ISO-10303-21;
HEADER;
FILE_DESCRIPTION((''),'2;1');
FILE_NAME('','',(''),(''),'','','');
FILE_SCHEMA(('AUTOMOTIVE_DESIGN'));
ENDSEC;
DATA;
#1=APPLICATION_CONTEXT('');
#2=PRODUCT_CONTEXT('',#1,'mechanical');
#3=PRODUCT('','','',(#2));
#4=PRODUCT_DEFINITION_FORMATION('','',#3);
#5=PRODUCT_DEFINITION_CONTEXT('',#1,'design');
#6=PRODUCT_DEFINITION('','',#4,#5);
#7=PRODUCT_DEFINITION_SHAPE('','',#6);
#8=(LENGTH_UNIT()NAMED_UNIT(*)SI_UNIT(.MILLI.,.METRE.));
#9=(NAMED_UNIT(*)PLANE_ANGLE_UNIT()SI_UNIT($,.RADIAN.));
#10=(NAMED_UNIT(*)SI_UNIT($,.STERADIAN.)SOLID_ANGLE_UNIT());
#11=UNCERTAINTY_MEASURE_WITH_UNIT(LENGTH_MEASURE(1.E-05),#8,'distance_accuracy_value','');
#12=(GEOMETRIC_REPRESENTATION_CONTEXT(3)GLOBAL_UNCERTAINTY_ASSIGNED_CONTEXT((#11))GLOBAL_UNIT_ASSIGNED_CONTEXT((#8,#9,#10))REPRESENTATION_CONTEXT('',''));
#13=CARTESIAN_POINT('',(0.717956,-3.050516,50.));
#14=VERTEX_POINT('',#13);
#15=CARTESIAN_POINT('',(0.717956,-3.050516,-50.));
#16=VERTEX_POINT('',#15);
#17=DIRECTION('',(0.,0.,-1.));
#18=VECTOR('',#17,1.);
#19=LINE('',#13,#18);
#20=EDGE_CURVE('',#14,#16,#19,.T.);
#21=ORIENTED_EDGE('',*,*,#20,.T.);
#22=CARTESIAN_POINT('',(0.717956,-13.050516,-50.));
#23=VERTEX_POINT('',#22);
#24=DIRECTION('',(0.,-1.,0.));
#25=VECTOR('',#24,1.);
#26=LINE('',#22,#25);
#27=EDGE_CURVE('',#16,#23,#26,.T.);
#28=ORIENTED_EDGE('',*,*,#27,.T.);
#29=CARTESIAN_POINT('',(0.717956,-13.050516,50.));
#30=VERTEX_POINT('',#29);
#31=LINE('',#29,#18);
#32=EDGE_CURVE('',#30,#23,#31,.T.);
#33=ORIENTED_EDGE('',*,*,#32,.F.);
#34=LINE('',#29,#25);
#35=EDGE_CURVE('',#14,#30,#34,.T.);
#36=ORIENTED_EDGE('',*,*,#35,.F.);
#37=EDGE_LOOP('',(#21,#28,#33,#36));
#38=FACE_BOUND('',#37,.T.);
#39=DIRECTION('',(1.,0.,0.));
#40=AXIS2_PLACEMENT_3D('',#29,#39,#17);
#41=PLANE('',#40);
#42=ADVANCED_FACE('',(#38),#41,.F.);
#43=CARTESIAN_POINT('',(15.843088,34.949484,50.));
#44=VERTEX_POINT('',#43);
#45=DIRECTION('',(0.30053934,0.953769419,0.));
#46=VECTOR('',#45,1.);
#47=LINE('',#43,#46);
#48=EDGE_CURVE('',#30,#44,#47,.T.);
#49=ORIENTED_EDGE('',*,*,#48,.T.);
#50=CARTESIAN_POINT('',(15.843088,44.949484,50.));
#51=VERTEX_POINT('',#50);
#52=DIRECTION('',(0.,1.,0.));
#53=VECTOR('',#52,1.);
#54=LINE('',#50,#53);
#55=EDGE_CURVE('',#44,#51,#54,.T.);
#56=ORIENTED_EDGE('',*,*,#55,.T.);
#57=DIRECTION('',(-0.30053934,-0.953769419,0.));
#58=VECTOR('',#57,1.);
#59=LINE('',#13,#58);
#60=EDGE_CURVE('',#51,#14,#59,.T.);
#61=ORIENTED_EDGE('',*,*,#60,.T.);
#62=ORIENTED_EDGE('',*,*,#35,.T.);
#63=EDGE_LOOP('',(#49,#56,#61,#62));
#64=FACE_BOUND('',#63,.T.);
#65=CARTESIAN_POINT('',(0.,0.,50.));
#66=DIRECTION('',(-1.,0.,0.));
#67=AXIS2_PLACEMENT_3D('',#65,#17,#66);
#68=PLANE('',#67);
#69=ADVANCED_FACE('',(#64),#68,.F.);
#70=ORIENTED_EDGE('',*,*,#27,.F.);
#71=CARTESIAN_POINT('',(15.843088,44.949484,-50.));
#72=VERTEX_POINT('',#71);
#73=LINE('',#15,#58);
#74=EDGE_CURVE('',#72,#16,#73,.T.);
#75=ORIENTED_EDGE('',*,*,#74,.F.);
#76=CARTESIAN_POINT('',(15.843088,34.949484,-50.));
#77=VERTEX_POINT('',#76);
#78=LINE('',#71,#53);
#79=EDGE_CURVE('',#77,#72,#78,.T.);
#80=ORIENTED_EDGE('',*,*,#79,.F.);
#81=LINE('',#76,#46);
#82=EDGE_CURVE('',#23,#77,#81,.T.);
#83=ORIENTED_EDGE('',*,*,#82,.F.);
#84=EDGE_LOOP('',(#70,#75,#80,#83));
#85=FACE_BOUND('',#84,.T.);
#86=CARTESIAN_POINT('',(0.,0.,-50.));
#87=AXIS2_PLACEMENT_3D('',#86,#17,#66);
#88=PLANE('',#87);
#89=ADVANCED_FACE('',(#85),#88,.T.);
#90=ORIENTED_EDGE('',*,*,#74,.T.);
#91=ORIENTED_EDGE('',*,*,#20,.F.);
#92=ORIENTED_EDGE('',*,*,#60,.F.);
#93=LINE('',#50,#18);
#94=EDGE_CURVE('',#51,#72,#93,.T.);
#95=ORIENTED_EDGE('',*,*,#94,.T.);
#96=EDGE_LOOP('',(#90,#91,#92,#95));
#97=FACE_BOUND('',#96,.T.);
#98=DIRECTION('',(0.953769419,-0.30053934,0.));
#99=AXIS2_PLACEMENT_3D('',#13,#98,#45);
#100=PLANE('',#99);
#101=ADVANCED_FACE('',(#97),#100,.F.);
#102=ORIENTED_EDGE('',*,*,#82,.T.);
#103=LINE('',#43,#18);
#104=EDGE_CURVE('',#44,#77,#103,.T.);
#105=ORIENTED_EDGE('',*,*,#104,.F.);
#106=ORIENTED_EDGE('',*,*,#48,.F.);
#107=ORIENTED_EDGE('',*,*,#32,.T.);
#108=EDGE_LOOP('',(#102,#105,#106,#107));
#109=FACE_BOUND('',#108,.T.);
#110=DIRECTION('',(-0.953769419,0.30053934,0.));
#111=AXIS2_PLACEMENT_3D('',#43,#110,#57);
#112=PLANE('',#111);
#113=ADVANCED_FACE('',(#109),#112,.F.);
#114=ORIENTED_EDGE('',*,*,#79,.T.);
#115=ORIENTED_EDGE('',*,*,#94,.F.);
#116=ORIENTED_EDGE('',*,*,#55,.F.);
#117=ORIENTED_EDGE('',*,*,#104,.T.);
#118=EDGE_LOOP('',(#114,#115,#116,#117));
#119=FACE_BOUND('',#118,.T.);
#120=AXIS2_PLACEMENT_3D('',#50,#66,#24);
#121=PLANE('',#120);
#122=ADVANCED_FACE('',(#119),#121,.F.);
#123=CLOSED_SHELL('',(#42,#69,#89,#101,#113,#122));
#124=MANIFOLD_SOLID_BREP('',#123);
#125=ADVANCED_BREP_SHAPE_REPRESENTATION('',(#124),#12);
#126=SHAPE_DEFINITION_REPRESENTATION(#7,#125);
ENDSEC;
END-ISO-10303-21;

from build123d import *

# Parameters (mm, degrees)
BOSS_EXTRUDE1_DEPTH = 50


with BuildPart() as part:
    # Sketch1 → Boss-Extrude1 (new body, symmetric)
    with BuildSketch(Plane.XY):
        Polygon((15.84308786, 44.949484432), (15.84308786, 34.949484432), (0.71795591, -13.050515568), (0.71795591, -3.050515568), align=None)
    extrude(amount=BOSS_EXTRUDE1_DEPTH, both=True)


solid = part.part
